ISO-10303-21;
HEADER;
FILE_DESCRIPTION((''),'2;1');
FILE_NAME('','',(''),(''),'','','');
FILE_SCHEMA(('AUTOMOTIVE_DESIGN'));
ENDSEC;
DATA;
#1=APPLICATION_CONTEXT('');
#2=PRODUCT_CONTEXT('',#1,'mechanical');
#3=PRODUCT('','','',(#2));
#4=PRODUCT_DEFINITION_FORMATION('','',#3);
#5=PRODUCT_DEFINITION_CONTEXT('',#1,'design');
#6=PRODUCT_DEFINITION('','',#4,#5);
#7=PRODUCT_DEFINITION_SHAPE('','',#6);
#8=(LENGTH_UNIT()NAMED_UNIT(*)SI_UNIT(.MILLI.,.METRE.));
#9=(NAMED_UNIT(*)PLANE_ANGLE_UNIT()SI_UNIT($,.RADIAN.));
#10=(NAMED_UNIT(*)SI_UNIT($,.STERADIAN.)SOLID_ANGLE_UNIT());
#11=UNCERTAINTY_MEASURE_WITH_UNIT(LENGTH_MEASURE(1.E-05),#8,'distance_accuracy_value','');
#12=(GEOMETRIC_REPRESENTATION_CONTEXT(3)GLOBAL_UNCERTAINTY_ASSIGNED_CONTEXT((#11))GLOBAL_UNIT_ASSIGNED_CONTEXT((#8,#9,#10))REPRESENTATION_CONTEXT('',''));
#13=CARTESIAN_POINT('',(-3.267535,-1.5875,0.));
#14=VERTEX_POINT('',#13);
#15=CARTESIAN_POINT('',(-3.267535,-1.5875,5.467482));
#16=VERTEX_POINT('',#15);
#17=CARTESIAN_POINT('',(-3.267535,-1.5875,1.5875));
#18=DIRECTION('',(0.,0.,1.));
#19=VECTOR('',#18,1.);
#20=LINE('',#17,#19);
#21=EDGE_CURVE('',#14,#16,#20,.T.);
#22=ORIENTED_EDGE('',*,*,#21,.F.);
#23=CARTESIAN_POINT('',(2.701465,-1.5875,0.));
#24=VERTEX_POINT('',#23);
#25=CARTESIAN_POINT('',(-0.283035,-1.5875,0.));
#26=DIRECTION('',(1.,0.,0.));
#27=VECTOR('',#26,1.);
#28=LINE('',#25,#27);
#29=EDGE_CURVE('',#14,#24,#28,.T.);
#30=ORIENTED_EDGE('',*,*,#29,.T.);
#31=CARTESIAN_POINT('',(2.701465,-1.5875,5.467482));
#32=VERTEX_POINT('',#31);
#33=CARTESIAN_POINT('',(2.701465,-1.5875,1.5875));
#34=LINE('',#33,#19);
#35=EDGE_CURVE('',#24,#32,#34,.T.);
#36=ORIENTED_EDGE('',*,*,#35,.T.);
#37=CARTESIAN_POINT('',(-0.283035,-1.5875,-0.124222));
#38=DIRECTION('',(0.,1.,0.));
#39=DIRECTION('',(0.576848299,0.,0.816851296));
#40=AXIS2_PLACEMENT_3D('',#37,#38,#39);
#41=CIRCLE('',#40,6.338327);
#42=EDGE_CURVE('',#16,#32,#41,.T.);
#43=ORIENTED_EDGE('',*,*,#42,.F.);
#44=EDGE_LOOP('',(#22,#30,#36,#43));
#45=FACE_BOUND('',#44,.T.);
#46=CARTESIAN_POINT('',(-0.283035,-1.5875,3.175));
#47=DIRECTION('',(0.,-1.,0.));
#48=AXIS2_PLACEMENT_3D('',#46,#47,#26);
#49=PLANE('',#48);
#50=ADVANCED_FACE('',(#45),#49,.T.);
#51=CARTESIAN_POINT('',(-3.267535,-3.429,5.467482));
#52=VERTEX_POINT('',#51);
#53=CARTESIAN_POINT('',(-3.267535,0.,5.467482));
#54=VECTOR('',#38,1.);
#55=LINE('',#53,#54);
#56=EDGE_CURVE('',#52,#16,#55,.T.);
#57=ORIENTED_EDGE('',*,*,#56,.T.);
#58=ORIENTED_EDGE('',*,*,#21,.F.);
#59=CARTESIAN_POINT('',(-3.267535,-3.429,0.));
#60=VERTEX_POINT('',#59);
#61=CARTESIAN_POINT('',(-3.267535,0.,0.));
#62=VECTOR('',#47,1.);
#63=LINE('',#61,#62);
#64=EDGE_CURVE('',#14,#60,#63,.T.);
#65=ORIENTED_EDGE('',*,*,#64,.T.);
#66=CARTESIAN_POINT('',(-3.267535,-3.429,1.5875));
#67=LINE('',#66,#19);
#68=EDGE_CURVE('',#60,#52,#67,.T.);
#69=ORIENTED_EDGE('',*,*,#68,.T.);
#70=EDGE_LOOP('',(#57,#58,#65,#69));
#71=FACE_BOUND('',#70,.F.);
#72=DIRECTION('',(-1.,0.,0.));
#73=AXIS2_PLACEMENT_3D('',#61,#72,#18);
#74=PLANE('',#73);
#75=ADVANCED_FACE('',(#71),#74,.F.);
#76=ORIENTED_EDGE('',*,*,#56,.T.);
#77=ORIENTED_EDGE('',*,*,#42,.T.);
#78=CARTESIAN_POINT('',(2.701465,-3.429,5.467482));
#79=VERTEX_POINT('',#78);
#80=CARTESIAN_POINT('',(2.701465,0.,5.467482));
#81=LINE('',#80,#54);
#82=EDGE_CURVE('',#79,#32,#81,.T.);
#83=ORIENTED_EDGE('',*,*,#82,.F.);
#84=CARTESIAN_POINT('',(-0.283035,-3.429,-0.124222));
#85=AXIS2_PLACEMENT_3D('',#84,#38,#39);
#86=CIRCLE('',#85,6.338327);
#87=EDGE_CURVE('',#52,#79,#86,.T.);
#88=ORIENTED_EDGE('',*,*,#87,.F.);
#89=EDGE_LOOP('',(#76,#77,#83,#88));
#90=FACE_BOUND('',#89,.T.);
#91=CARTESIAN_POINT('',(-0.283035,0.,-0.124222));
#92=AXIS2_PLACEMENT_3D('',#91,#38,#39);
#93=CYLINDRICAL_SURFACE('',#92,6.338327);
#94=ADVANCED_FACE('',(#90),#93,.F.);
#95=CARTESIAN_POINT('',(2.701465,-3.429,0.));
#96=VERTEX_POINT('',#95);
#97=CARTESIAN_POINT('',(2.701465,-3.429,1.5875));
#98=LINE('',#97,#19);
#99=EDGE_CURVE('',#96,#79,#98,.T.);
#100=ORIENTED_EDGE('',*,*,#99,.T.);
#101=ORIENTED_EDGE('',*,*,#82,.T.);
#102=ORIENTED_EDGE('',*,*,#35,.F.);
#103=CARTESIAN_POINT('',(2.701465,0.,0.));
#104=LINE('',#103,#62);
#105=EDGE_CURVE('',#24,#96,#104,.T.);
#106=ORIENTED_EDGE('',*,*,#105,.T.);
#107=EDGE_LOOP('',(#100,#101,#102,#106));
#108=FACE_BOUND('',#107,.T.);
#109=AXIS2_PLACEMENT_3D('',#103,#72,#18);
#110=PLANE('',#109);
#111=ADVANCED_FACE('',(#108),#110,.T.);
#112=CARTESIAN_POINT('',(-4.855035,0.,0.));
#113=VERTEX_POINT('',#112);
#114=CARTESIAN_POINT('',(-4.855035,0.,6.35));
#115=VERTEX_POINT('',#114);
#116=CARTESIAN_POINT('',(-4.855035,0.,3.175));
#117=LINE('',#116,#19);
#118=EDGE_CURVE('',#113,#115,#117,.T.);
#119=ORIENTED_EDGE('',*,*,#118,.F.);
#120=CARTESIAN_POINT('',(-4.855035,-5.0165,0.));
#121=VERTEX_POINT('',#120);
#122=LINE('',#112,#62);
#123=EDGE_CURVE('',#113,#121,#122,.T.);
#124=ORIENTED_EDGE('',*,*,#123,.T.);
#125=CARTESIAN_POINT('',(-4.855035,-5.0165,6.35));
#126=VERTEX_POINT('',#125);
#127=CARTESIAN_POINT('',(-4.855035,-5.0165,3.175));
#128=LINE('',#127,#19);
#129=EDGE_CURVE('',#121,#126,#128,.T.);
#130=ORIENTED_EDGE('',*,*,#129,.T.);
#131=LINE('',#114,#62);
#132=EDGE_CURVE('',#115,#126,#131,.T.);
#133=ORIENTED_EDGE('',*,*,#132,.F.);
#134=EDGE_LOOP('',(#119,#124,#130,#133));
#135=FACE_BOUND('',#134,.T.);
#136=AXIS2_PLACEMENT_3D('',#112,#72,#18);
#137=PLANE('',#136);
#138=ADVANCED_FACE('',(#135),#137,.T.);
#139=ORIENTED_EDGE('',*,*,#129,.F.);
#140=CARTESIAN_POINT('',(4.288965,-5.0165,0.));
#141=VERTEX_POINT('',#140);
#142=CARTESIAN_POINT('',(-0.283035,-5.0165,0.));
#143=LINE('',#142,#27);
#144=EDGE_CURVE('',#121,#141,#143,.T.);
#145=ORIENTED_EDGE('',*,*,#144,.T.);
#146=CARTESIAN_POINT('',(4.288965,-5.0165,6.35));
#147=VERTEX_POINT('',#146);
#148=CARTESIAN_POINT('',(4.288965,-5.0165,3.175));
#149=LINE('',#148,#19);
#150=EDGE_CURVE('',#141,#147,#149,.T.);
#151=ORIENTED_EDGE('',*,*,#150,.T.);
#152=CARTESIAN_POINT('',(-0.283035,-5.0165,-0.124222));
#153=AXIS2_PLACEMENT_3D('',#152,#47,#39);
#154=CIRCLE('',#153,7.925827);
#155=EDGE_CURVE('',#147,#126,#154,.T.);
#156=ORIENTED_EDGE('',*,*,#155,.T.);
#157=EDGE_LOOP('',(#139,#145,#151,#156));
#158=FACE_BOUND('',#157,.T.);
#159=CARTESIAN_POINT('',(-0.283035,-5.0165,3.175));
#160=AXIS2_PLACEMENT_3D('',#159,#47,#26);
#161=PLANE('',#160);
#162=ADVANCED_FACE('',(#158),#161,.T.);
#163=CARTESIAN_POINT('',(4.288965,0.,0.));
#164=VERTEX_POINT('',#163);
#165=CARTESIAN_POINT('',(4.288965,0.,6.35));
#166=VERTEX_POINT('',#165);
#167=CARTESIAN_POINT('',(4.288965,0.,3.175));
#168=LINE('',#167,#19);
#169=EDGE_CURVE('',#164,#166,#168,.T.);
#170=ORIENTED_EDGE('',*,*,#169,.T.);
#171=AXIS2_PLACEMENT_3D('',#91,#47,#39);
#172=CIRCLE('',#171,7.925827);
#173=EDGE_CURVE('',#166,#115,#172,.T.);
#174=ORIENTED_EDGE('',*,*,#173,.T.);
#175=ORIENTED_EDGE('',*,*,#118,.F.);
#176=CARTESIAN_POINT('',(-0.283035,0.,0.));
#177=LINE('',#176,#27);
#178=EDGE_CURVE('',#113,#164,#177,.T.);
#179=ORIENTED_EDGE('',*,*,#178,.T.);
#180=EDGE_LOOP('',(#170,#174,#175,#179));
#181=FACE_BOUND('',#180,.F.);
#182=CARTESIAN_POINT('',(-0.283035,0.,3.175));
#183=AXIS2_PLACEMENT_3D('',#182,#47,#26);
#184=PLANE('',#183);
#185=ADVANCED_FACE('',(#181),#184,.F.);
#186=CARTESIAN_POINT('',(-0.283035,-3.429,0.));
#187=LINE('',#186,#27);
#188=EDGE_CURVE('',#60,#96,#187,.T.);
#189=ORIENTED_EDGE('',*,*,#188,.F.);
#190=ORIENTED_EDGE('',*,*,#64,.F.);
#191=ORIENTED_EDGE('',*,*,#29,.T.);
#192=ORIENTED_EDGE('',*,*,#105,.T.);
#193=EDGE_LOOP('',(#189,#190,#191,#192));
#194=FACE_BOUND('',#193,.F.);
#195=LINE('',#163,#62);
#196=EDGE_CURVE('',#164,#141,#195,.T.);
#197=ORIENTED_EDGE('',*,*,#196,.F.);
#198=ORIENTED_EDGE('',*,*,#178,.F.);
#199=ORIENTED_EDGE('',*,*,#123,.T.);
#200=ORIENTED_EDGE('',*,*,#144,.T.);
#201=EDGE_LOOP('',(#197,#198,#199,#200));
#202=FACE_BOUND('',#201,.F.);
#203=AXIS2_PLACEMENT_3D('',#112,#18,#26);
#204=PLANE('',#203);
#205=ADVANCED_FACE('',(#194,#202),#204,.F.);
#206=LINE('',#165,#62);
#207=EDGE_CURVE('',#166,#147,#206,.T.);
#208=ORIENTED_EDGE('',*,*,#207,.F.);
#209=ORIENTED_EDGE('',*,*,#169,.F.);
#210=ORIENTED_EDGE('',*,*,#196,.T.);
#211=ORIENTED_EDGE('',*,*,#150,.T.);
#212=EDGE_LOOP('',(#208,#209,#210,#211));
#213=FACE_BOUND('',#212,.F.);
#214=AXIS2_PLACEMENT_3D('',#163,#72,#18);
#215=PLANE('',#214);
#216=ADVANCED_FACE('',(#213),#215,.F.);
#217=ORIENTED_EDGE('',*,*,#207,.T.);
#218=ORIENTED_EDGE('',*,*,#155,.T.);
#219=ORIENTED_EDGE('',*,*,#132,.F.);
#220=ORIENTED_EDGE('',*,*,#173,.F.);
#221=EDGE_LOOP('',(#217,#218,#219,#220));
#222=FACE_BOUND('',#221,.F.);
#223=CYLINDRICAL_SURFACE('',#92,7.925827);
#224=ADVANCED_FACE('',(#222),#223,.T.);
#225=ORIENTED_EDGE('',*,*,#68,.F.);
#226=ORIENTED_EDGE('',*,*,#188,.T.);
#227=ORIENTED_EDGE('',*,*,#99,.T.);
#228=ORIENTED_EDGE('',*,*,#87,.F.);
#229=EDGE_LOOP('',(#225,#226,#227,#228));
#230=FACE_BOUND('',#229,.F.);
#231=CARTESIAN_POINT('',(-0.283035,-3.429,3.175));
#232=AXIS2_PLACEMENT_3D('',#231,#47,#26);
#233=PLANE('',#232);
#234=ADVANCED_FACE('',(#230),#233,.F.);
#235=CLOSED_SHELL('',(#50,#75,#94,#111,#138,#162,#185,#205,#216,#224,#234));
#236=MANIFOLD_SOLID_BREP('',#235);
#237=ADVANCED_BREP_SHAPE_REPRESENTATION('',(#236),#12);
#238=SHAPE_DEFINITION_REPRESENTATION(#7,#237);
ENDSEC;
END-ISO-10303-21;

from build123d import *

# Parameters (mm, degrees)
F0_W     = 9.144
F0_H     = 6.35
F1_DEPTH = 5.0165
F2_T     = -1.5875


with BuildPart() as f1:
    # F0 (on Front) → F1 (new body)
    with BuildSketch(Plane.XZ):
        with Locations((-0.283035, 3.175)):
            Rectangle(F0_W, F0_H)
        with BuildLine():
            ThreePointArc((4.288965, 6.35), (-0.283035, 7.801605), (-4.855035, 6.35))
            Line((-4.855035, 6.35), (4.288965, 6.35))
        make_face()
    extrude(amount=F1_DEPTH)

    # F2
    f2_openings = [f1.faces().sort_by_distance(p)[0] for p in [
        (-0.283035, -2.50825, 0),
    ]]
    offset(amount=F2_T, openings=f2_openings)


solid = f1.part
